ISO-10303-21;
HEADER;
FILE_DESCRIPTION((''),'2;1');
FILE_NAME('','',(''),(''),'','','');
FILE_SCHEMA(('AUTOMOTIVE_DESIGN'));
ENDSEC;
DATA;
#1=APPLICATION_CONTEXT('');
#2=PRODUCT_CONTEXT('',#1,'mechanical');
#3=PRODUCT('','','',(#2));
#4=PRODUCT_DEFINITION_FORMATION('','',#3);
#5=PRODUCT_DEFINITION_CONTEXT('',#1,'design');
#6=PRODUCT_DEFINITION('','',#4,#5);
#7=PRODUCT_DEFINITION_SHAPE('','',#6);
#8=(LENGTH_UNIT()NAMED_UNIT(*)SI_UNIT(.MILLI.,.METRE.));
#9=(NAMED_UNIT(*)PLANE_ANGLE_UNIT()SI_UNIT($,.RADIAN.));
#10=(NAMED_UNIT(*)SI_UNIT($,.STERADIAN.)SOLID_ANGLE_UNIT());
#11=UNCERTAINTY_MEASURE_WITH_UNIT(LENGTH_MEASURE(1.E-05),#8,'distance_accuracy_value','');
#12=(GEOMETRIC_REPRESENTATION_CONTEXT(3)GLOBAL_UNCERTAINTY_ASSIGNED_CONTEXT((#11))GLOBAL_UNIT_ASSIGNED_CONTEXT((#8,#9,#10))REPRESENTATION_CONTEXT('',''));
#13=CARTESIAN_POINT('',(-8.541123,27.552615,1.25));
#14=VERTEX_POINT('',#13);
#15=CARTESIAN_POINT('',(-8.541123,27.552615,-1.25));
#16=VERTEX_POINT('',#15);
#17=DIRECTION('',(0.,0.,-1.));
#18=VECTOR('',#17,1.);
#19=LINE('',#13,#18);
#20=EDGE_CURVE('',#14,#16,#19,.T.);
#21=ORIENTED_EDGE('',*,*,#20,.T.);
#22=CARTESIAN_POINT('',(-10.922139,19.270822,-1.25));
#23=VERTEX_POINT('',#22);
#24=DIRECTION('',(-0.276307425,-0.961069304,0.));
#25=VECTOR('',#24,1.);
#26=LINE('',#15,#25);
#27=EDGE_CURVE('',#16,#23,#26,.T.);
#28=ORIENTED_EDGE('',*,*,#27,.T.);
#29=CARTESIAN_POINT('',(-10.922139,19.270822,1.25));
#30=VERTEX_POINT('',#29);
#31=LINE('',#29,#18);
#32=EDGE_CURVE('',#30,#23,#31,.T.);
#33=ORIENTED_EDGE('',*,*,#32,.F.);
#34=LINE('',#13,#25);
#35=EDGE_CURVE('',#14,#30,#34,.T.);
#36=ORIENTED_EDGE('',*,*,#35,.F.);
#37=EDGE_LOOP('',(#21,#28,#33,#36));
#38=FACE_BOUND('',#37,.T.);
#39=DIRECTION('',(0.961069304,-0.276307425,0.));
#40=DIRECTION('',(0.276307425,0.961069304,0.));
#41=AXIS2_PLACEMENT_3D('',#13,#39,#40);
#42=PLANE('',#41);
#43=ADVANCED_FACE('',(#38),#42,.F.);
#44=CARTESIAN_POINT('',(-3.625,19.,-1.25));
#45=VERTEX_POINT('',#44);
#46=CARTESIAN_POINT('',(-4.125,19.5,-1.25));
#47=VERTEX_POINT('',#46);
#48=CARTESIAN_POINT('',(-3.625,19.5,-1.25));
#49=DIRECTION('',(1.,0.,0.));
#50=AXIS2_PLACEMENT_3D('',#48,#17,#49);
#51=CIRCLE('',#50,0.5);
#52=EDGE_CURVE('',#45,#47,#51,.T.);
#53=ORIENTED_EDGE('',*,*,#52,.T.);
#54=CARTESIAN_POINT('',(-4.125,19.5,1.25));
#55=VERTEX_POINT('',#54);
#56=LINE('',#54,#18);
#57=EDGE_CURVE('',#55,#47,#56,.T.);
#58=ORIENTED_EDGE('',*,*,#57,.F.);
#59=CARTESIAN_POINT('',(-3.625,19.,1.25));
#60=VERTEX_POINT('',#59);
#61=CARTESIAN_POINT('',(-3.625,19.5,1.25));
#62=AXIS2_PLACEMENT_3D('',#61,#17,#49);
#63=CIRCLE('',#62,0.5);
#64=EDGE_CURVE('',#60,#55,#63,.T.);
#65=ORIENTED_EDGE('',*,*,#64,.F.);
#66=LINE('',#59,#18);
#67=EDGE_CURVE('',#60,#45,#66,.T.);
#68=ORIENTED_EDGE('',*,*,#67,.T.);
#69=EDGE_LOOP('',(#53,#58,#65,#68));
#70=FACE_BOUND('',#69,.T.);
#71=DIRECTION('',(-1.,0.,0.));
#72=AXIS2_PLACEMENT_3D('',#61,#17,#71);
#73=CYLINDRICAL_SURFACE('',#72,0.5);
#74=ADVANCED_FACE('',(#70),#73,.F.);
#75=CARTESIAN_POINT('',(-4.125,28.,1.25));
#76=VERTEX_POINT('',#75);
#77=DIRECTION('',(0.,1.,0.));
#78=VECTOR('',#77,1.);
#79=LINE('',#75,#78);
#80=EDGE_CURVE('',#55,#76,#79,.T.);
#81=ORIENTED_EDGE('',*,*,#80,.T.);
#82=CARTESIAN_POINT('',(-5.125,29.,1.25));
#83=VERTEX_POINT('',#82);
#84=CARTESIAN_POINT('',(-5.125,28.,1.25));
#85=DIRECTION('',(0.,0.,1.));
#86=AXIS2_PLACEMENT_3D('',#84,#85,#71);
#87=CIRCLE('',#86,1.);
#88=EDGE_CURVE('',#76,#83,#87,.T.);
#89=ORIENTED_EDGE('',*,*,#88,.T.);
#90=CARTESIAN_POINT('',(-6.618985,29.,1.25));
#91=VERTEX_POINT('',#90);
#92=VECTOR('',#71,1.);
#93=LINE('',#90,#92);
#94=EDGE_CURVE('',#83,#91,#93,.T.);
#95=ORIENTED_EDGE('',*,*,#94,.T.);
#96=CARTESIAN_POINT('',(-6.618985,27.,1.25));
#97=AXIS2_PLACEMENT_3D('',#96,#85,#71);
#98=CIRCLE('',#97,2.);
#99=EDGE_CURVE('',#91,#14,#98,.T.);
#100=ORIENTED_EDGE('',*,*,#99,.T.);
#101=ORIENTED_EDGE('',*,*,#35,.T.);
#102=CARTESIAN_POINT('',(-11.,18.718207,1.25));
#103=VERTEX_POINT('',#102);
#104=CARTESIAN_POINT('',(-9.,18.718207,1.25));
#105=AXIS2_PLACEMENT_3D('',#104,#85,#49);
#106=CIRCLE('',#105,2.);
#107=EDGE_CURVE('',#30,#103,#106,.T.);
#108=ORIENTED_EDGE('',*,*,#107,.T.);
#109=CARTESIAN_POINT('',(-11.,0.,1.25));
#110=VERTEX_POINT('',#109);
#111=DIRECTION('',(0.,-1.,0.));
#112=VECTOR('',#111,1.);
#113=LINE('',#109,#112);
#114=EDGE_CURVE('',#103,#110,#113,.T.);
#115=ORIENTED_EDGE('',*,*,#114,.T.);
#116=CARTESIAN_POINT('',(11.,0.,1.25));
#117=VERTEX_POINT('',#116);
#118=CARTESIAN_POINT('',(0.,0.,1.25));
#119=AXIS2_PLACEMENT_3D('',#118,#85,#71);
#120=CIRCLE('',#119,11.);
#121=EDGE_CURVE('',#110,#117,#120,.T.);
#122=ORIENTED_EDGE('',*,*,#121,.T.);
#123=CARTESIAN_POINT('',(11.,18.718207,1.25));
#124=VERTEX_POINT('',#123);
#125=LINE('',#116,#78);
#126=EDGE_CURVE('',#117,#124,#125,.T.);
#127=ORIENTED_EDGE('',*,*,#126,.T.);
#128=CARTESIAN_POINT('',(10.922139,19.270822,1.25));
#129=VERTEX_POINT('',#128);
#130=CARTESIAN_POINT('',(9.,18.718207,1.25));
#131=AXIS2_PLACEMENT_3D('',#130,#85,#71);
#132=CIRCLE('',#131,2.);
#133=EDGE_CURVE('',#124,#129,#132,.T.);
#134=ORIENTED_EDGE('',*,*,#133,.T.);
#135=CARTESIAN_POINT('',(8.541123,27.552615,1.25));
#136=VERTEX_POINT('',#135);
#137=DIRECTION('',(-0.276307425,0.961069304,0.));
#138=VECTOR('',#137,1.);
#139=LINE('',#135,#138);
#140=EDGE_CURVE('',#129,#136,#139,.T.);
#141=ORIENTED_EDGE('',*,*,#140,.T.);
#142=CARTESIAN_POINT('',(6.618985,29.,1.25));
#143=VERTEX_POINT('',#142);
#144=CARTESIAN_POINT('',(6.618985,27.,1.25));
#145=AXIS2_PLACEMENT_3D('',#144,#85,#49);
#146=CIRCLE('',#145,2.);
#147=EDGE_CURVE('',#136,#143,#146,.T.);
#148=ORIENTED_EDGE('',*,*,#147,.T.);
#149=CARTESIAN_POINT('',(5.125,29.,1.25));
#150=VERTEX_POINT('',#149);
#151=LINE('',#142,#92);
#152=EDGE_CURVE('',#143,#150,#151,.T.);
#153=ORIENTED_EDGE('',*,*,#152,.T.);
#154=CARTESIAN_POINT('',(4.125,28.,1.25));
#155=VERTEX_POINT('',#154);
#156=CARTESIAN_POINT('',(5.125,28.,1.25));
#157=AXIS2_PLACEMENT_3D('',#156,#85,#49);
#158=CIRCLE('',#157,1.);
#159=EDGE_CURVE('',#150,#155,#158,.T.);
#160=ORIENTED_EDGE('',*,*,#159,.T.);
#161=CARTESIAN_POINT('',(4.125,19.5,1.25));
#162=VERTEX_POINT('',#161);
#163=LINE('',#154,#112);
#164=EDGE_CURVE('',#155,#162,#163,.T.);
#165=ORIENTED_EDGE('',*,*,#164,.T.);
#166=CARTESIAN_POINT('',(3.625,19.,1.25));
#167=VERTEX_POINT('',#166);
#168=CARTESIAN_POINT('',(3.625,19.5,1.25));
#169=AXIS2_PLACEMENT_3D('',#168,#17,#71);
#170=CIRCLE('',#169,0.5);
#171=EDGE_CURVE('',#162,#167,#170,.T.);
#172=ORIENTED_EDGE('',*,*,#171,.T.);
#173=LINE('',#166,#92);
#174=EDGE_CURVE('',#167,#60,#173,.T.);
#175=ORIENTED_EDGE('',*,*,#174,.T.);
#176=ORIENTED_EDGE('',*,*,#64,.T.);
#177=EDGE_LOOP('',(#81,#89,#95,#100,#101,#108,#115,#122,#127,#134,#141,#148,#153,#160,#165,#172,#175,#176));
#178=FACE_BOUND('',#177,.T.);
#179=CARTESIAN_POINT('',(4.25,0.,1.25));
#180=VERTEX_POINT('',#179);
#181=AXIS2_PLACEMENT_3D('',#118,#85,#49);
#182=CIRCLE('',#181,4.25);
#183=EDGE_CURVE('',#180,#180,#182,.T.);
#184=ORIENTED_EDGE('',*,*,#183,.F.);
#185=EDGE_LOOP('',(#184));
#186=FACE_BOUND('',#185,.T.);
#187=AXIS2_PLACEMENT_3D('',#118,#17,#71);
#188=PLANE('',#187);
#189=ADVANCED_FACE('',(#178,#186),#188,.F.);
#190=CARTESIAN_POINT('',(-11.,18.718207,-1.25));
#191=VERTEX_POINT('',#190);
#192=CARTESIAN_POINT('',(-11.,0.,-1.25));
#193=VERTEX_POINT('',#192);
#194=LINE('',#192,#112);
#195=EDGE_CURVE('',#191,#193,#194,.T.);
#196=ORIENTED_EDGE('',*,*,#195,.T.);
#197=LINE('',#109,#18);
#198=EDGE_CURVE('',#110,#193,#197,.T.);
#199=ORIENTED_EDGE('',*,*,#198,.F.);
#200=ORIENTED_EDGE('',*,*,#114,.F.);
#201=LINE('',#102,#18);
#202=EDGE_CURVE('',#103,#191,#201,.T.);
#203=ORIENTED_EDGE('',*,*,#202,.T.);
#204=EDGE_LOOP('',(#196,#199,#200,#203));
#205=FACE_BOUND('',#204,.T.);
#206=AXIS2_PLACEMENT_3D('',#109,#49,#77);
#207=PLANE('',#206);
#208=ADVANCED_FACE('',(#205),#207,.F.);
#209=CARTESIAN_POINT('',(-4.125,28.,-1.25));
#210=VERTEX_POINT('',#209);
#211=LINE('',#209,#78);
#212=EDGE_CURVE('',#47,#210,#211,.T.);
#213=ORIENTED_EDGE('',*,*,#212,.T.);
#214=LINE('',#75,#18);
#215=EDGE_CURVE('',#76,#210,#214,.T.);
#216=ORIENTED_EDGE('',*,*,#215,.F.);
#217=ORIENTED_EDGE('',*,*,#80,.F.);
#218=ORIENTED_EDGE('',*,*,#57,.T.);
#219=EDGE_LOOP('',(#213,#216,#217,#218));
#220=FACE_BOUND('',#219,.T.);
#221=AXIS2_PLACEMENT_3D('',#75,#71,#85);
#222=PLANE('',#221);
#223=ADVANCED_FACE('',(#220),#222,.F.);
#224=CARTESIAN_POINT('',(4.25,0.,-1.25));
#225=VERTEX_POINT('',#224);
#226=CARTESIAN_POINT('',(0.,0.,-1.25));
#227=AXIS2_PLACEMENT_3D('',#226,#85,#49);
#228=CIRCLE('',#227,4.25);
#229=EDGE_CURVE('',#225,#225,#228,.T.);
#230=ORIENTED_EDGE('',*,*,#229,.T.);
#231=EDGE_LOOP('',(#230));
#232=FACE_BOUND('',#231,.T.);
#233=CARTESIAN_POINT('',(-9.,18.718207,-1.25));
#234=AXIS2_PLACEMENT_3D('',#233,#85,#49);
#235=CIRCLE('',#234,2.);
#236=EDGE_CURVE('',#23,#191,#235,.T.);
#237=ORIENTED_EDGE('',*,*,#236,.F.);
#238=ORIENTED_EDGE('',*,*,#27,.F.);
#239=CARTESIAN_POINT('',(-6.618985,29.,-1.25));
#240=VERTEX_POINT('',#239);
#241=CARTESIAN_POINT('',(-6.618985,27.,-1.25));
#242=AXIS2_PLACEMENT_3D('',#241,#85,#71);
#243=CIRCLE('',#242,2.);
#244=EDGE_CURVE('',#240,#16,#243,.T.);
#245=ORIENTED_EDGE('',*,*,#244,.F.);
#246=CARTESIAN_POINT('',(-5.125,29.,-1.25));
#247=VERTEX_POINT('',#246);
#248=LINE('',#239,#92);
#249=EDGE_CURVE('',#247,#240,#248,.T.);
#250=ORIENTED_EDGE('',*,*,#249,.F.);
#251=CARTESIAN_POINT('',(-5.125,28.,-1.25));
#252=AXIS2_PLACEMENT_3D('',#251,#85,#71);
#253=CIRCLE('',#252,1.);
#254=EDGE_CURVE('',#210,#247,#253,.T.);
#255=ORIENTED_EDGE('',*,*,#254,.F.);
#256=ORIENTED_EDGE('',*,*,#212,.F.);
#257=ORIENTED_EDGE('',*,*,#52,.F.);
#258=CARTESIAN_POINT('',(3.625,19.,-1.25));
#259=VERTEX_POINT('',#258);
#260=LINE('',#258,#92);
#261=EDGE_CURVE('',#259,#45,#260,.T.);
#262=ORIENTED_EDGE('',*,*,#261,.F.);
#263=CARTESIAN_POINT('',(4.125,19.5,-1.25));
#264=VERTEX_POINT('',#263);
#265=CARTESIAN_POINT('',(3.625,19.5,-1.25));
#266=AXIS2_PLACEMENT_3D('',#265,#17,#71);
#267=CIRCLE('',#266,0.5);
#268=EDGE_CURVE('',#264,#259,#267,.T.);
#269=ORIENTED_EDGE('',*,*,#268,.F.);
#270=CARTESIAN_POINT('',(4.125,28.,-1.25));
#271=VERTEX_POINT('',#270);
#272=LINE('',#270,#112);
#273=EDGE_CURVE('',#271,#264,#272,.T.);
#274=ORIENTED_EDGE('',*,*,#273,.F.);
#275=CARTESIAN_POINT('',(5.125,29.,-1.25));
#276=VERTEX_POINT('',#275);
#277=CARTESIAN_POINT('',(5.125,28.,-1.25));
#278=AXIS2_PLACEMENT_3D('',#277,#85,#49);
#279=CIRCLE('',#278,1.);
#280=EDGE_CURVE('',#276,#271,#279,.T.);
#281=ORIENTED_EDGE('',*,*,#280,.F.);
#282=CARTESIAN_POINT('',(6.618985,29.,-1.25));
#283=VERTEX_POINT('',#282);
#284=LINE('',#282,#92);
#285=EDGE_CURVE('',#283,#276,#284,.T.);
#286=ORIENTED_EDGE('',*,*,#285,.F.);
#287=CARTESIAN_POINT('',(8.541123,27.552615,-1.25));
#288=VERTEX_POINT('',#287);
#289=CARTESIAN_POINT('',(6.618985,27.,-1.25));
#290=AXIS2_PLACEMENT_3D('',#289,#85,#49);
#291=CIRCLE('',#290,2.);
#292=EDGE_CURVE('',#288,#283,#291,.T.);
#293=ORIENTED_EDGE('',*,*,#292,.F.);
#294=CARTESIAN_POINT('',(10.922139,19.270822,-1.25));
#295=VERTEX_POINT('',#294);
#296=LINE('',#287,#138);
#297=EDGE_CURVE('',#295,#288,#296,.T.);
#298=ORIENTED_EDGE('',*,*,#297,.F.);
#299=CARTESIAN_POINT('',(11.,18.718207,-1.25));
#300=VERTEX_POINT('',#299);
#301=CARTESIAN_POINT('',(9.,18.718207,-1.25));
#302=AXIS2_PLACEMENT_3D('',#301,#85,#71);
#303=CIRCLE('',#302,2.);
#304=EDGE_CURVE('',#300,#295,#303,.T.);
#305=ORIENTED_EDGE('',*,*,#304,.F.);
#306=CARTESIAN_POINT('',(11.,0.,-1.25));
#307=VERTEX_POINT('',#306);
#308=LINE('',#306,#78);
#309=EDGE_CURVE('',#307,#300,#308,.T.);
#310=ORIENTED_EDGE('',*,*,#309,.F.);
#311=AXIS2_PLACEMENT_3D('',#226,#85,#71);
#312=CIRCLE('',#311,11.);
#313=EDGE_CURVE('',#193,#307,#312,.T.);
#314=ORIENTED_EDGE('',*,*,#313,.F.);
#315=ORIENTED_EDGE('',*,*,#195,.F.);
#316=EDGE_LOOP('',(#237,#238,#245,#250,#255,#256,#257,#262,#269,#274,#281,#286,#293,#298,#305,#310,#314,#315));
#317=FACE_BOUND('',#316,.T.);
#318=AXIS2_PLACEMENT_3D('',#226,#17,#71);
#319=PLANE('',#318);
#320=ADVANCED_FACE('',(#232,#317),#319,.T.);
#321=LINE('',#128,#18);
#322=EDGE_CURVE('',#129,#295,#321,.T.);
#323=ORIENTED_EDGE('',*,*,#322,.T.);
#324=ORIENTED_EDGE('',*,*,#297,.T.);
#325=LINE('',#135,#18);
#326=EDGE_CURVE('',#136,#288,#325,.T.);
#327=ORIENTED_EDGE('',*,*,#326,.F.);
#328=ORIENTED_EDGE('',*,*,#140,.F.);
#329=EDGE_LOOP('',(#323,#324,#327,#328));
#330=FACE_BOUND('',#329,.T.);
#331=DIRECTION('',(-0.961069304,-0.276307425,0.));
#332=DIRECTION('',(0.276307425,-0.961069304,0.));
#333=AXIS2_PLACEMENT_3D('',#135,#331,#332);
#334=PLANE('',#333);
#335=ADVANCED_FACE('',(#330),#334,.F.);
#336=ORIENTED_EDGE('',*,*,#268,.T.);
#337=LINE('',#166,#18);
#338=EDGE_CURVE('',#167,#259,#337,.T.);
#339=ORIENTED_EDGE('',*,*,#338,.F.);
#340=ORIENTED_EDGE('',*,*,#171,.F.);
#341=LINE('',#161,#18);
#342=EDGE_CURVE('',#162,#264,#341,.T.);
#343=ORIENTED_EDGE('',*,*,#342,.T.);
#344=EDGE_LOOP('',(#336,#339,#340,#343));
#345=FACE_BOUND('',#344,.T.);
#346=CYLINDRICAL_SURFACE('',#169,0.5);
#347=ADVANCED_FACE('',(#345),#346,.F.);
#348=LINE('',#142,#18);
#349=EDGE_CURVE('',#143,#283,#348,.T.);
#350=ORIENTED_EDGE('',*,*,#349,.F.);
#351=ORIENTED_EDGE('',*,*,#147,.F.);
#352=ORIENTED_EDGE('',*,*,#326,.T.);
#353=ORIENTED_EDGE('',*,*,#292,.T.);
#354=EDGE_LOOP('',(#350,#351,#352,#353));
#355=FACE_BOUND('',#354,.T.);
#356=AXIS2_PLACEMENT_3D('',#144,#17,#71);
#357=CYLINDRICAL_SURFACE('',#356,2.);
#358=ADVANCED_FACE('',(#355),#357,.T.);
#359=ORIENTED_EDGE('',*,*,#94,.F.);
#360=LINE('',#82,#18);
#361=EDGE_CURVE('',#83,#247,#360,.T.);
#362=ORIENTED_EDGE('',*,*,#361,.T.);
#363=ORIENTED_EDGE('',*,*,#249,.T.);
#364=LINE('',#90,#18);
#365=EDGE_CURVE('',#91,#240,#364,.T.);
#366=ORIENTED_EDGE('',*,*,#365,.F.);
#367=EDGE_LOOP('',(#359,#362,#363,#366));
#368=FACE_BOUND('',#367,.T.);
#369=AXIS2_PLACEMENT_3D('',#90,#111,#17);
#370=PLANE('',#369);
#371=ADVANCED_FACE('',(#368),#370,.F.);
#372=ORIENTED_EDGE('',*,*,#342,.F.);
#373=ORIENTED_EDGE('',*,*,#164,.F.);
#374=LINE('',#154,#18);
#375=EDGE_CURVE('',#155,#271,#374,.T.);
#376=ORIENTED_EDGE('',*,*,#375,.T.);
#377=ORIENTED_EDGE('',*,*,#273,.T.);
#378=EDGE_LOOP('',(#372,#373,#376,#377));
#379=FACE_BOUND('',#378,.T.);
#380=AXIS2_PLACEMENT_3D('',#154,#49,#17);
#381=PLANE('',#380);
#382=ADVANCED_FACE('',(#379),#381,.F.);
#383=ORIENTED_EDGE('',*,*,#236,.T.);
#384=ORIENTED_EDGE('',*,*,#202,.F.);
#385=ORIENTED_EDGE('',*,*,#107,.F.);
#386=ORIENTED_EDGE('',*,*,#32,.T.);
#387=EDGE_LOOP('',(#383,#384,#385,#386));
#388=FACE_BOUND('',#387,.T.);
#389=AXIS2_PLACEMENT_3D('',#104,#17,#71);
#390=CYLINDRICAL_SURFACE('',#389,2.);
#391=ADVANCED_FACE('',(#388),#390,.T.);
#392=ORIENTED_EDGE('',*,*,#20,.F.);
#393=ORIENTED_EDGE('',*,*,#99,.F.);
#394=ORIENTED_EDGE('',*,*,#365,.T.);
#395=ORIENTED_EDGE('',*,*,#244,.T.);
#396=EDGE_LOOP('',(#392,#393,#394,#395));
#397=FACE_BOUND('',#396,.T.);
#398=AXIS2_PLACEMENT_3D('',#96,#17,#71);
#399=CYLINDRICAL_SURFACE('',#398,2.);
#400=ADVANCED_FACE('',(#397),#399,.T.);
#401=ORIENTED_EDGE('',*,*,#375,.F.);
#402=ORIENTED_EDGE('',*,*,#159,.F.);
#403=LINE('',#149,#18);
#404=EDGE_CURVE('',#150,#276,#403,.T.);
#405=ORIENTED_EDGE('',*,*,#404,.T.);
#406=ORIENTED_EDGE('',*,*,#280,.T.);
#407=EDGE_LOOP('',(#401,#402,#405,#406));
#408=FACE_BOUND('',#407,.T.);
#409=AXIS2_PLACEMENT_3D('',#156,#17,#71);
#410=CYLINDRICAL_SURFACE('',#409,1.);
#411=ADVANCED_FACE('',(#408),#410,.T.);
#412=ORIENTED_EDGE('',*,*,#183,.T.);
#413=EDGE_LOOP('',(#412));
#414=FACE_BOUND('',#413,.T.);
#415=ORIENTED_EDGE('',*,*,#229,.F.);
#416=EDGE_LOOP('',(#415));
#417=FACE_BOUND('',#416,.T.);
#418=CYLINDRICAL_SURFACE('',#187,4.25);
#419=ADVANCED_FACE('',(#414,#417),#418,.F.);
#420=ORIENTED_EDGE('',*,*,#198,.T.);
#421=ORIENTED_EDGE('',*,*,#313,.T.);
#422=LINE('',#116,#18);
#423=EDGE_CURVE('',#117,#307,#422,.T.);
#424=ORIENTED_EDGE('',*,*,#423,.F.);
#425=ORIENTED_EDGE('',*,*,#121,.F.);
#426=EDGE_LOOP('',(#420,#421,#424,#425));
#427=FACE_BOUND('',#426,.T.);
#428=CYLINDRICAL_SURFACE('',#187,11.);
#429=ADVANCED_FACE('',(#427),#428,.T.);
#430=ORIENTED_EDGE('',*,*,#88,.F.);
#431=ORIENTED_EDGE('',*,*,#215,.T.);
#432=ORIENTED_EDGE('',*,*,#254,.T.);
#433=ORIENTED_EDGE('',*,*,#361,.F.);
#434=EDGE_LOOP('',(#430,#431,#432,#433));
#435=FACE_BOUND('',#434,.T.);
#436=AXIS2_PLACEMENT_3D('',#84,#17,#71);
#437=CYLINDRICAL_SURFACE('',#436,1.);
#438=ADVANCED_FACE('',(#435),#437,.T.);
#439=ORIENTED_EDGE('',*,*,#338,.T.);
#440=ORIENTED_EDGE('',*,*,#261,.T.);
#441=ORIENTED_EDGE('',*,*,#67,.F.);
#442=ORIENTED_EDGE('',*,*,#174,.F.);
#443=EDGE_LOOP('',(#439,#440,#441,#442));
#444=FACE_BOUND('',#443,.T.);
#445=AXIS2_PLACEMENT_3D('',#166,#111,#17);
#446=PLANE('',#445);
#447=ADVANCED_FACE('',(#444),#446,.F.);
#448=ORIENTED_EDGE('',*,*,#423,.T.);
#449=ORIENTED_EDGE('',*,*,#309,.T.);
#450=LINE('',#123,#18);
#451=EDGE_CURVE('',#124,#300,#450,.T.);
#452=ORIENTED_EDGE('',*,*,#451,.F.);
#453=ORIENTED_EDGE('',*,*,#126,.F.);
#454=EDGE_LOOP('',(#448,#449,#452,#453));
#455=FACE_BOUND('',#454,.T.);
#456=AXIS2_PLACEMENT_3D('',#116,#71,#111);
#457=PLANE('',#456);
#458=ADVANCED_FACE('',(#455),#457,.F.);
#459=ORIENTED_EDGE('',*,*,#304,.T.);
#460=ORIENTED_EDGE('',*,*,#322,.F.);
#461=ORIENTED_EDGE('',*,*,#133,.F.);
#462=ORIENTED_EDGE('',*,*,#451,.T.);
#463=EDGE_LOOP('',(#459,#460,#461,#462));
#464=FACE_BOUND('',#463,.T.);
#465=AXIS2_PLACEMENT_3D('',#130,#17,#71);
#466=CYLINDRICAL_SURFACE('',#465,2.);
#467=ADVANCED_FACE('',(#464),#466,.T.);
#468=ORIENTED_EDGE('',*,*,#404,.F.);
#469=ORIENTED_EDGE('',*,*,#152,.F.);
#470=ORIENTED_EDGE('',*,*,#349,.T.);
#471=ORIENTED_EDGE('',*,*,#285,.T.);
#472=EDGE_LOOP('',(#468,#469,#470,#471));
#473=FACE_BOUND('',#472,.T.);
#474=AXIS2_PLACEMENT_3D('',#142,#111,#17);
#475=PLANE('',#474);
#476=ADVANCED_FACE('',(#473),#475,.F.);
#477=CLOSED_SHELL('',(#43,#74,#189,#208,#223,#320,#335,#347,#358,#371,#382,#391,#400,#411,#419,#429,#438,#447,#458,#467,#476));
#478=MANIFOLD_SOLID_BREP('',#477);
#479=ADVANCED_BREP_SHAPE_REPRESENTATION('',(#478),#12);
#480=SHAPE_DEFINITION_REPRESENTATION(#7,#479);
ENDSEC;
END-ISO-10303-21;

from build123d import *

# Parameters (mm, degrees)
SKETCH1_R      = 4.25
EXTRUDE1_DEPTH = 1.25


with BuildPart() as part:
    # Sketch1 → Extrude1 (new body, symmetric)
    with BuildSketch(Plane.XY):
        with BuildLine():
            Line((11, 0), (11, 18.718207384))
            ThreePointArc((11, 18.718207384), (10.980438994, 18.997243926), (10.922138608, 19.270822234))
            Line((10.922138608, 19.270822234), (8.541123231, 27.55261485))
            ThreePointArc((8.541123231, 27.55261485), (7.822057834, 28.597690474), (6.618984623, 29))
            Line((6.618984623, 29), (5.125, 29))
            ThreePointArc((5.125, 29), (4.417893219, 28.707106781), (4.125, 28))
            Line((4.125, 28), (4.125, 19.5))
            ThreePointArc((4.125, 19.5), (3.978553391, 19.146446609), (3.625, 19))
            Line((3.625, 19), (-3.625, 19))
            ThreePointArc((-3.625, 19), (-3.978553391, 19.146446609), (-4.125, 19.5))
            Line((-4.125, 19.5), (-4.125, 28))
            ThreePointArc((-4.125, 28), (-4.417893219, 28.707106781), (-5.125, 29))
            Line((-5.125, 29), (-6.618984623, 29))
            ThreePointArc((-6.618984623, 29), (-7.822057834, 28.597690474), (-8.541123231, 27.55261485))
            Line((-8.541123231, 27.55261485), (-10.922138608, 19.270822234))
            ThreePointArc((-10.922138608, 19.270822234), (-10.980438994, 18.997243926), (-11, 18.718207384))
            Line((-11, 18.718207384), (-11, 0))
            ThreePointArc((-11, 0), (0, -11), (11, 0))
        make_face()
        Circle(SKETCH1_R, mode=Mode.SUBTRACT)
    extrude(amount=EXTRUDE1_DEPTH, both=True)


solid = part.part
